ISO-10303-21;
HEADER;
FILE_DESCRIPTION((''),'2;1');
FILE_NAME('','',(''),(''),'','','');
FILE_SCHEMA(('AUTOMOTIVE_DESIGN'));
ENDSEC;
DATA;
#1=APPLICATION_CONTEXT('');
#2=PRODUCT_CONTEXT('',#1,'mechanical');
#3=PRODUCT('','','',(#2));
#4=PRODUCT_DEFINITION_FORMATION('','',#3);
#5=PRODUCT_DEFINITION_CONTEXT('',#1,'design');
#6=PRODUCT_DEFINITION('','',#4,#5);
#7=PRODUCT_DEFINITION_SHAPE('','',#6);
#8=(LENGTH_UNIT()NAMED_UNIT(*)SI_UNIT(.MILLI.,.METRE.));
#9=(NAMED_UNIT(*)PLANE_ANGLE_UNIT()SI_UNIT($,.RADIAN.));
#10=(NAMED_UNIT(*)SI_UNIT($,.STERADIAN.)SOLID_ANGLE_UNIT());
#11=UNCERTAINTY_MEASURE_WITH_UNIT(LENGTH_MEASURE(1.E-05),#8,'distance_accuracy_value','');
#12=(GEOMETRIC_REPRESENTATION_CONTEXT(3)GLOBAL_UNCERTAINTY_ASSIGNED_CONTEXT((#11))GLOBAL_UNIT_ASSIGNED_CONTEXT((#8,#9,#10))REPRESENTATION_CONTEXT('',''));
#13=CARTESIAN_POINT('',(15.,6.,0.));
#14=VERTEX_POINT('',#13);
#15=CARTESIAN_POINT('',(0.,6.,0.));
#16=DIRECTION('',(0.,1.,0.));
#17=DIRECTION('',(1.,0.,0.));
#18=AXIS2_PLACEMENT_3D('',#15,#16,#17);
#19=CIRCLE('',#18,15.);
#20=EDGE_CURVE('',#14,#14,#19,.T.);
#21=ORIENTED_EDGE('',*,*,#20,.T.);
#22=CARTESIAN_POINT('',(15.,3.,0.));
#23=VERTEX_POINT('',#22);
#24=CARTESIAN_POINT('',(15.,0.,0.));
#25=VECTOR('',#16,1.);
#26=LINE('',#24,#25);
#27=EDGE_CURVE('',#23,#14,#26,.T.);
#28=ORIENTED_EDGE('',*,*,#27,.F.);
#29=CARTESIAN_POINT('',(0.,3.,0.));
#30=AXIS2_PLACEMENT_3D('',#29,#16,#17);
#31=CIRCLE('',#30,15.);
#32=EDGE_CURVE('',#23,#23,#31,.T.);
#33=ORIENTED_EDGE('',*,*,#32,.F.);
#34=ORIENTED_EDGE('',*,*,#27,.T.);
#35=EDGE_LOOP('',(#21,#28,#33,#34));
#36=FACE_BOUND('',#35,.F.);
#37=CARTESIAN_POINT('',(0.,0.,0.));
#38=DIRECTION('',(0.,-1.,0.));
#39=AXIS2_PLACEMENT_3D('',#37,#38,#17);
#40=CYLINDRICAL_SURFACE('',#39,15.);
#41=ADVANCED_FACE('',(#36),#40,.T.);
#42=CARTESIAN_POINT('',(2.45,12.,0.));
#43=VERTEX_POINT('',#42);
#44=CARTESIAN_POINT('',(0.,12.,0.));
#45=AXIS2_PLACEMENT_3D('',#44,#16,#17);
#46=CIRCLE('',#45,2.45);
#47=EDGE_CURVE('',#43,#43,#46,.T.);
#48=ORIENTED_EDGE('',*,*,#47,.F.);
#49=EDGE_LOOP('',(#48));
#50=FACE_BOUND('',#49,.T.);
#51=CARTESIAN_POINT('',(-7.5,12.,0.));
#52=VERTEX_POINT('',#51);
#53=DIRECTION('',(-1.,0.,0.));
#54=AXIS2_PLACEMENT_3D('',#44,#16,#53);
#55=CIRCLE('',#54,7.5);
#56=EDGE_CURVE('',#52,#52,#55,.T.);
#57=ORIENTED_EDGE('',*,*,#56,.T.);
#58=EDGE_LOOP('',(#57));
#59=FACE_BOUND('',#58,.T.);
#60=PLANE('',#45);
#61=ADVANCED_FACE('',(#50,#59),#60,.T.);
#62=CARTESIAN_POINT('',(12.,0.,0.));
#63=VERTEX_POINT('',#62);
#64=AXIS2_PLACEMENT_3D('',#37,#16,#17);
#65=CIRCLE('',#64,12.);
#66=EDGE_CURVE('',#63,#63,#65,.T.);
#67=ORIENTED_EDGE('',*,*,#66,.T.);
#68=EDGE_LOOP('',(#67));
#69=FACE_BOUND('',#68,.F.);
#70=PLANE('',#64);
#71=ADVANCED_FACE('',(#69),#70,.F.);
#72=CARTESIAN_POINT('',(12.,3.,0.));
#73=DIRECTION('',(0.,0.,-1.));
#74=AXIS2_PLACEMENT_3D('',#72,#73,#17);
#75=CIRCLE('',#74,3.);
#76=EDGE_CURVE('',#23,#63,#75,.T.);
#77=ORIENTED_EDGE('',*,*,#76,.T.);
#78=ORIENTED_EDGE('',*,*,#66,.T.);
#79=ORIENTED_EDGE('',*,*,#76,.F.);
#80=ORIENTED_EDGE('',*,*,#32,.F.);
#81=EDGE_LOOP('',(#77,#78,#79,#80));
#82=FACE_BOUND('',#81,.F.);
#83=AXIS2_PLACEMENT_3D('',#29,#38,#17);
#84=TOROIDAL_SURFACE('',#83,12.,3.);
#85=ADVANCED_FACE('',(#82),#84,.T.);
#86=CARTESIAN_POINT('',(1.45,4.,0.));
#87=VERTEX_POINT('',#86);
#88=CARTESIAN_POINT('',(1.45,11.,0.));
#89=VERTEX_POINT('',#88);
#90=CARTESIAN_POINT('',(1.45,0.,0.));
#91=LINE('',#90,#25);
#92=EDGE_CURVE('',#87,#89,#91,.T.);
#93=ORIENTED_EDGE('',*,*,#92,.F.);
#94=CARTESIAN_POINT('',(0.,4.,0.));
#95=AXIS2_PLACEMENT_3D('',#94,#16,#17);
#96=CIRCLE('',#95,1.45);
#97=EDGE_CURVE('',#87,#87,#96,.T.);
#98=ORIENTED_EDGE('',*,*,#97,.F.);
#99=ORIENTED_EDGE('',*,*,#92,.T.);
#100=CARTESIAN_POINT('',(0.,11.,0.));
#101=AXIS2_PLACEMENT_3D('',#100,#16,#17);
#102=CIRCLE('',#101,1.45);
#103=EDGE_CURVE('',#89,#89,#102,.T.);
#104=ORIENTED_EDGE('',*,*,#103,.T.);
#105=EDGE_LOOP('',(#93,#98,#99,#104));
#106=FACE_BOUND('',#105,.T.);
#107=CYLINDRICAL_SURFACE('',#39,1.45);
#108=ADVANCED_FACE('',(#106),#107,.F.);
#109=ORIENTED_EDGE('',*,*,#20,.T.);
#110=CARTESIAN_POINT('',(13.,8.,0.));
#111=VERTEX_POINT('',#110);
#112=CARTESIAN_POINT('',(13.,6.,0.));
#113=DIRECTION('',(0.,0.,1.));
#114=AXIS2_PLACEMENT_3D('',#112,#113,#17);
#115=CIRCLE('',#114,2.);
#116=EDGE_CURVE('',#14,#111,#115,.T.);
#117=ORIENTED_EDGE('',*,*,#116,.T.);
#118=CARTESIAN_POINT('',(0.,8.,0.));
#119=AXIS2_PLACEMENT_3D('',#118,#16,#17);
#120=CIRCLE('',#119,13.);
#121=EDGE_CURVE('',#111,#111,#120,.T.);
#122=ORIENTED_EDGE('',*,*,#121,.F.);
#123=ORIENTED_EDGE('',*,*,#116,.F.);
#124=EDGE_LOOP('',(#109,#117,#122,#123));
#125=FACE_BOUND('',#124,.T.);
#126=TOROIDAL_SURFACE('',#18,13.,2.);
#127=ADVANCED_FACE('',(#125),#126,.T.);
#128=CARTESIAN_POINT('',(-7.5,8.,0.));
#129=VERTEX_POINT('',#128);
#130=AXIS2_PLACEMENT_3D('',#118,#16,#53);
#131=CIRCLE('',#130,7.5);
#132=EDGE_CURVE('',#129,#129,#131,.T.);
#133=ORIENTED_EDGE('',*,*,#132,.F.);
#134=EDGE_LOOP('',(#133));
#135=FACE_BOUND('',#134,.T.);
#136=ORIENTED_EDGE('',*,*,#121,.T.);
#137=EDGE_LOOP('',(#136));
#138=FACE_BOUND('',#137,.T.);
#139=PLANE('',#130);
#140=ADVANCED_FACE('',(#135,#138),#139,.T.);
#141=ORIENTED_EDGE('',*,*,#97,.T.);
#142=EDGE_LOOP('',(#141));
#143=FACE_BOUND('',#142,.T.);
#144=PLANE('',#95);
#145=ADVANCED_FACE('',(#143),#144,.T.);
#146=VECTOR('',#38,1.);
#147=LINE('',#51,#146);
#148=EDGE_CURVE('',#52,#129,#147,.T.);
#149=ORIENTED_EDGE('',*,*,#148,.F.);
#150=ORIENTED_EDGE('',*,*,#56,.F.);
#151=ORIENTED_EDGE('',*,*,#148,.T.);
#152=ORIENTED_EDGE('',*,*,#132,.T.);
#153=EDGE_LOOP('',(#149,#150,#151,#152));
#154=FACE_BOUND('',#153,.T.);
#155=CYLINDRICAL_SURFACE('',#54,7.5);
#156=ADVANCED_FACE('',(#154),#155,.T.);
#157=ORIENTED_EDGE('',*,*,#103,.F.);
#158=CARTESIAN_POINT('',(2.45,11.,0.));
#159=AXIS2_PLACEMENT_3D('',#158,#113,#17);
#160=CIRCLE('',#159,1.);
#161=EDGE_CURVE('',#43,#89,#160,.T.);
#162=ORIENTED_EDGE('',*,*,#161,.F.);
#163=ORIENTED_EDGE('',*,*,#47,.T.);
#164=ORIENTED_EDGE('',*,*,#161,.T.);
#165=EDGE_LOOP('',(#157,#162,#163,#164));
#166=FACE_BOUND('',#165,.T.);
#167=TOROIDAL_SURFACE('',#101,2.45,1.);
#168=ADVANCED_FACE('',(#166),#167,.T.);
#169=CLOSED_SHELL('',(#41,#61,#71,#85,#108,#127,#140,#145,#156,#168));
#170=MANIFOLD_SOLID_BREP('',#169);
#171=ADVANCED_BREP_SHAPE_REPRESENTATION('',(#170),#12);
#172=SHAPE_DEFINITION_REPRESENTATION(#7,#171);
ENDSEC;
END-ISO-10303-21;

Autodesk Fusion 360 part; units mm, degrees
sketch "Sketch1" plane through (0, 0, 0) normal (0, 1, 0) x (1, 0, 0)
  circle A0 centre (0, 0) radius 1.45
  circle A1 centre (0, 0) radius 15
  dimension "d1" = 2.9
  dimension "d2" = 30
extrude "Extrude1" add sketch "Sketch1" along normal blind 12
extrude "Extrude2" add sketch "Sketch1" along normal blind 4 contours A0
fillet "Fillet1" radius 1 1 edges at (-1.3519, 12, -0.5243)
sketch "Sketch2" plane through (0, 12, 0) normal (0, 1, 0) x (-1, 0, 0)
  circle A0 centre (0, 0) radius 15
  circle A1 centre (0, 0) radius 2.45
  circle A2 centre (0, 0) radius 7.5
  dimension "d8" = 15
extrude "Extrude3" cut sketch "Sketch2" against normal blind 4 contours A0
fillet "Fillet2" radius 3 1 edges at (-13.9849, 0, 5.4242)
fillet "Fillet3" radius 2 1 edges at (-13.9849, 8, -5.4242)
